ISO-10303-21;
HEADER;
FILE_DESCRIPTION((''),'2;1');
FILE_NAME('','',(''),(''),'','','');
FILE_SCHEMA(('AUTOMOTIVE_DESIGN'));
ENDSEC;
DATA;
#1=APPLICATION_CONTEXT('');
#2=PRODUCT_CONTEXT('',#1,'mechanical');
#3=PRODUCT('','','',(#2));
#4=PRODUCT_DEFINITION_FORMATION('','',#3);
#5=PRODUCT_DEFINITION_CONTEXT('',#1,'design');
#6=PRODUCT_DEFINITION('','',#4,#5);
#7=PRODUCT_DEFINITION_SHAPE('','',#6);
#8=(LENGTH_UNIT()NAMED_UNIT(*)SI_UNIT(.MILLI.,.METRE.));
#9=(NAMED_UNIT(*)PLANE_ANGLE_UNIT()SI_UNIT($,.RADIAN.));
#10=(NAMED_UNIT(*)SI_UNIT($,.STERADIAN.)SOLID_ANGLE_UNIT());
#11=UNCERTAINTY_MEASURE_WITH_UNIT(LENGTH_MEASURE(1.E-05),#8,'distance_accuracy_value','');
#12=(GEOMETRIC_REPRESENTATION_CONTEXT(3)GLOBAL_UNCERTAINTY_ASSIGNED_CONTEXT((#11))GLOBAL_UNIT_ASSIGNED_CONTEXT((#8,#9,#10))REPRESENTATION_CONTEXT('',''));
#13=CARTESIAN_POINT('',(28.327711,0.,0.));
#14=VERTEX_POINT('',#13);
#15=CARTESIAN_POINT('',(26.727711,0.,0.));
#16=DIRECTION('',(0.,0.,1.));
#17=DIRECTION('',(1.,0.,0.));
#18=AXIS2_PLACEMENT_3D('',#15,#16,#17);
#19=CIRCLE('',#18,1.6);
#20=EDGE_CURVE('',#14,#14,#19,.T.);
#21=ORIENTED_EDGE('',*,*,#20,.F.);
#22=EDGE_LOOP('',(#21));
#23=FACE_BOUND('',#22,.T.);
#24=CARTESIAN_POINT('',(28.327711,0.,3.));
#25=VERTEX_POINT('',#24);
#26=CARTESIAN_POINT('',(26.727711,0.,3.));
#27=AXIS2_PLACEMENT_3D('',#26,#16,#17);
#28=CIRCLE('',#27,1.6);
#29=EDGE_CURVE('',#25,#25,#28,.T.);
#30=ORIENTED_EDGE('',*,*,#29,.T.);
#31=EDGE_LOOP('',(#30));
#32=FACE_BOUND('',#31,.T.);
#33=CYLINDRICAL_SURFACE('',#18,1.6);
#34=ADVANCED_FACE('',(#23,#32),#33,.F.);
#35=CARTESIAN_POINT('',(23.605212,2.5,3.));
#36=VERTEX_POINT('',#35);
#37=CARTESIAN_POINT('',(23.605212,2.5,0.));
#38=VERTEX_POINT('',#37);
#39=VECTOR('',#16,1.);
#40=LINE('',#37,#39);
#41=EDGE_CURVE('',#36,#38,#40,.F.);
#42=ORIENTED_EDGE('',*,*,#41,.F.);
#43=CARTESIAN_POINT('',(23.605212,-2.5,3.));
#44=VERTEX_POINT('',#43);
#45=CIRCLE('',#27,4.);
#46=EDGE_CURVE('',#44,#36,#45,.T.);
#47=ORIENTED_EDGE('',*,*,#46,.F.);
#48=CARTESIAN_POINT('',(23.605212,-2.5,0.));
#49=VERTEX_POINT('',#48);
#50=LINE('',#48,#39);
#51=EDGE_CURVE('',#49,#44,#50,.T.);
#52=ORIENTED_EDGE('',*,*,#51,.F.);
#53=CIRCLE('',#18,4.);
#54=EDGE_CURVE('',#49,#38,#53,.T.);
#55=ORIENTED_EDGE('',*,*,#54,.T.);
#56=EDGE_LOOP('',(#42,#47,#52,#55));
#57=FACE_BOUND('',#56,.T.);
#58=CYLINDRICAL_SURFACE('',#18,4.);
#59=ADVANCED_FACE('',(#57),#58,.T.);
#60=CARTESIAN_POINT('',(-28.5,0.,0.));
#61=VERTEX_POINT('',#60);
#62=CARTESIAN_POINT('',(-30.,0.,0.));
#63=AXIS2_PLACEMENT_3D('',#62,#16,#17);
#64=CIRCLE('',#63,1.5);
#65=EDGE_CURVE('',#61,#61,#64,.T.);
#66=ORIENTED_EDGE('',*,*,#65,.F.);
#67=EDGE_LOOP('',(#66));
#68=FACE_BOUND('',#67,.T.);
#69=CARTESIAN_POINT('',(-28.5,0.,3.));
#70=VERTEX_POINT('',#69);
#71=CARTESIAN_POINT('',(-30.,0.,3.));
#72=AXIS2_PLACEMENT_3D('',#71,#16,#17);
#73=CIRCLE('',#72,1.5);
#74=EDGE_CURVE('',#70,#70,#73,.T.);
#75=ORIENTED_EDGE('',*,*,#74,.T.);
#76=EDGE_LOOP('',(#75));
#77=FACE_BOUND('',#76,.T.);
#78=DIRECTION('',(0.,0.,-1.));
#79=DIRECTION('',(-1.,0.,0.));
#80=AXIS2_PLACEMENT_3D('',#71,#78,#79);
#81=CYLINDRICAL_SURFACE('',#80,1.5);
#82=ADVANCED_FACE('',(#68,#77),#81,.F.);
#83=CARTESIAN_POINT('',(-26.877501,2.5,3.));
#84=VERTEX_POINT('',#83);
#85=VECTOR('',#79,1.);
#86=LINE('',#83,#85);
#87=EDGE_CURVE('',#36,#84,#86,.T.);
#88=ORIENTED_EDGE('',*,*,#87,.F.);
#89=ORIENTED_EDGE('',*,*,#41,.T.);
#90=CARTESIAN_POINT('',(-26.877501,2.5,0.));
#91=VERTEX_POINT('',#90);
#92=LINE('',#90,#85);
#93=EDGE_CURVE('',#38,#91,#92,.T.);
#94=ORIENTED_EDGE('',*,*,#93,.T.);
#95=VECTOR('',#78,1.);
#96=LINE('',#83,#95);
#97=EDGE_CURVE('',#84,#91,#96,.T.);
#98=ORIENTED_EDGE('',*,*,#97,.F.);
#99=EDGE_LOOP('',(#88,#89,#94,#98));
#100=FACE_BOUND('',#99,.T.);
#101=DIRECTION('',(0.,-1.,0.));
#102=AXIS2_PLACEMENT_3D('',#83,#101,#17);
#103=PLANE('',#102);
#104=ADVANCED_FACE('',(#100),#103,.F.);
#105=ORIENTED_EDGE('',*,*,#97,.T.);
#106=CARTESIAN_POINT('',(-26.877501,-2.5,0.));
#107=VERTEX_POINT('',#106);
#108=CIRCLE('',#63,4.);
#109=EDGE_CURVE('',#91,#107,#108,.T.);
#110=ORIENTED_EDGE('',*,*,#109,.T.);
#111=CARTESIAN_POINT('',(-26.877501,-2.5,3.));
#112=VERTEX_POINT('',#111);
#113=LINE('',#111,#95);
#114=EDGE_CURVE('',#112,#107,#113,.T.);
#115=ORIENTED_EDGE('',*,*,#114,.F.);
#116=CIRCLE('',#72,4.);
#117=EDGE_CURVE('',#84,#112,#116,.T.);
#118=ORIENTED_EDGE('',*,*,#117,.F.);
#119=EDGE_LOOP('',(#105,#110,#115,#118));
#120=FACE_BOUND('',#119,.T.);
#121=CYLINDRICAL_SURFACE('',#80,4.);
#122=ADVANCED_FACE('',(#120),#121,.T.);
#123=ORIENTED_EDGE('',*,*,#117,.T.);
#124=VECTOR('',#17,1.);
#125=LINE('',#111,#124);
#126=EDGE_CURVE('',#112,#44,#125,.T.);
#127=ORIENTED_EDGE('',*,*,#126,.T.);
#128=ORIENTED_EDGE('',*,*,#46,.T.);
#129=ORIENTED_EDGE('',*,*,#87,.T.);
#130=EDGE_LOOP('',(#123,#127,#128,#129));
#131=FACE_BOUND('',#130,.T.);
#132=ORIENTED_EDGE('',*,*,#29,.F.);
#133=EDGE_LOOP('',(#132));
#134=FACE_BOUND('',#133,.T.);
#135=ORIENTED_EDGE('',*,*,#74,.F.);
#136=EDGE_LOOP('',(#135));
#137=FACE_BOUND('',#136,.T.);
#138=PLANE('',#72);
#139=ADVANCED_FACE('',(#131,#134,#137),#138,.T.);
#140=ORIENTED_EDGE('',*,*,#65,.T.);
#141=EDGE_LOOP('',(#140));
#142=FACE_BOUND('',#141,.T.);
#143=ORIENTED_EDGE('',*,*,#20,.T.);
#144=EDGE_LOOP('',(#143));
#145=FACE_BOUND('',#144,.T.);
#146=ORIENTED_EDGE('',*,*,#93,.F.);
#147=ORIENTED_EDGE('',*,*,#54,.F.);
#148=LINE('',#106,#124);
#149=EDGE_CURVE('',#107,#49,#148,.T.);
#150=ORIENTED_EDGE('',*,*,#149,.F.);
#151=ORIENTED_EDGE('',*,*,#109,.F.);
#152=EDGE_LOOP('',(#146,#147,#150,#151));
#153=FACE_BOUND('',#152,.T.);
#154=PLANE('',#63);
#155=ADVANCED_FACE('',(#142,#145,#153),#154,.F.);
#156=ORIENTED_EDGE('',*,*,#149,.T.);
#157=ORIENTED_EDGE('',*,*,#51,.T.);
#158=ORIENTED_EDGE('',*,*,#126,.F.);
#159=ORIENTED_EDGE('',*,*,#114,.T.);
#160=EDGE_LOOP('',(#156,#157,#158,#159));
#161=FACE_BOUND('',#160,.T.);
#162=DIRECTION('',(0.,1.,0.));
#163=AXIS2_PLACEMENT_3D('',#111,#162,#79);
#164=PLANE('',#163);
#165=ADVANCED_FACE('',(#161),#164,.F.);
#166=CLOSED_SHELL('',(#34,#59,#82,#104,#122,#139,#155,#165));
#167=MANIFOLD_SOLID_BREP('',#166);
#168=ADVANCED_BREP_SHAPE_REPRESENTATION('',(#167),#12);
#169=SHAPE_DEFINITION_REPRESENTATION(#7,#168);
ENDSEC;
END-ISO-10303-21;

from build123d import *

# Parameters (mm, degrees)
SKETCH1_R           = 1.5
BOSS_EXTRUDE1_DEPTH = 3
SKETCH3_R           = 1.6
CUT_EXTRUDE1_DEPTH  = 3
SKETCH4_R           = 4
SKETCH4_R_2         = 1.6
BOSS_EXTRUDE2_DEPTH = 3
CUT_EXTRUDE2_DEPTH  = 3


with BuildPart() as part:
    # Sketch1 → Boss-Extrude1 (new body)
    with BuildSketch(Plane.XY):
        with BuildLine():
            Line((-26.877501001, -2.5), (30, -2.5))
            Line((30, -2.5), (30, 2.5))
            Line((30, 2.5), (-26.877501001, 2.5))
            ThreePointArc((-26.877501001, 2.5), (-34, 0), (-26.877501001, -2.5))
        make_face()
        with Locations((-30, 0)):
            Circle(SKETCH1_R, mode=Mode.SUBTRACT)
    extrude(amount=BOSS_EXTRUDE1_DEPTH)

    # Sketch3 → Cut-Extrude1 (cut)
    with BuildSketch(Plane.XY.offset(3)):
        with Locations((26.727711113, 0)):
            Circle(SKETCH3_R)
    extrude(amount=-CUT_EXTRUDE1_DEPTH, mode=Mode.SUBTRACT)

    # Sketch4 → Boss-Extrude2 (add)
    with BuildSketch(Plane.XY.offset(3)):
        with Locations((26.727711113, 0)):
            Circle(SKETCH4_R)
        with Locations((26.727711113, 0)):
            Circle(SKETCH4_R_2, mode=Mode.SUBTRACT)
    extrude(amount=-BOSS_EXTRUDE2_DEPTH)

    # Sketch5 → Cut-Extrude2 (cut)
    with BuildSketch(Plane.XY.offset(3)):
        with BuildLine():
            Line((30, 2.5), (29.850210112, 2.5))
            ThreePointArc((29.850210112, 2.5), (29.926661234, 2.4013992), (30, 2.300462005))
            Line((30, 2.300462005), (30, 2.5))
        make_face()
        with BuildLine():
            Line((30, -2.5), (30, -2.300462005))
            ThreePointArc((30, -2.300462005), (29.926661234, -2.4013992), (29.850210112, -2.5))
            Line((29.850210112, -2.5), (30, -2.5))
        make_face()
    extrude(amount=-CUT_EXTRUDE2_DEPTH, mode=Mode.SUBTRACT)


solid = part.part
